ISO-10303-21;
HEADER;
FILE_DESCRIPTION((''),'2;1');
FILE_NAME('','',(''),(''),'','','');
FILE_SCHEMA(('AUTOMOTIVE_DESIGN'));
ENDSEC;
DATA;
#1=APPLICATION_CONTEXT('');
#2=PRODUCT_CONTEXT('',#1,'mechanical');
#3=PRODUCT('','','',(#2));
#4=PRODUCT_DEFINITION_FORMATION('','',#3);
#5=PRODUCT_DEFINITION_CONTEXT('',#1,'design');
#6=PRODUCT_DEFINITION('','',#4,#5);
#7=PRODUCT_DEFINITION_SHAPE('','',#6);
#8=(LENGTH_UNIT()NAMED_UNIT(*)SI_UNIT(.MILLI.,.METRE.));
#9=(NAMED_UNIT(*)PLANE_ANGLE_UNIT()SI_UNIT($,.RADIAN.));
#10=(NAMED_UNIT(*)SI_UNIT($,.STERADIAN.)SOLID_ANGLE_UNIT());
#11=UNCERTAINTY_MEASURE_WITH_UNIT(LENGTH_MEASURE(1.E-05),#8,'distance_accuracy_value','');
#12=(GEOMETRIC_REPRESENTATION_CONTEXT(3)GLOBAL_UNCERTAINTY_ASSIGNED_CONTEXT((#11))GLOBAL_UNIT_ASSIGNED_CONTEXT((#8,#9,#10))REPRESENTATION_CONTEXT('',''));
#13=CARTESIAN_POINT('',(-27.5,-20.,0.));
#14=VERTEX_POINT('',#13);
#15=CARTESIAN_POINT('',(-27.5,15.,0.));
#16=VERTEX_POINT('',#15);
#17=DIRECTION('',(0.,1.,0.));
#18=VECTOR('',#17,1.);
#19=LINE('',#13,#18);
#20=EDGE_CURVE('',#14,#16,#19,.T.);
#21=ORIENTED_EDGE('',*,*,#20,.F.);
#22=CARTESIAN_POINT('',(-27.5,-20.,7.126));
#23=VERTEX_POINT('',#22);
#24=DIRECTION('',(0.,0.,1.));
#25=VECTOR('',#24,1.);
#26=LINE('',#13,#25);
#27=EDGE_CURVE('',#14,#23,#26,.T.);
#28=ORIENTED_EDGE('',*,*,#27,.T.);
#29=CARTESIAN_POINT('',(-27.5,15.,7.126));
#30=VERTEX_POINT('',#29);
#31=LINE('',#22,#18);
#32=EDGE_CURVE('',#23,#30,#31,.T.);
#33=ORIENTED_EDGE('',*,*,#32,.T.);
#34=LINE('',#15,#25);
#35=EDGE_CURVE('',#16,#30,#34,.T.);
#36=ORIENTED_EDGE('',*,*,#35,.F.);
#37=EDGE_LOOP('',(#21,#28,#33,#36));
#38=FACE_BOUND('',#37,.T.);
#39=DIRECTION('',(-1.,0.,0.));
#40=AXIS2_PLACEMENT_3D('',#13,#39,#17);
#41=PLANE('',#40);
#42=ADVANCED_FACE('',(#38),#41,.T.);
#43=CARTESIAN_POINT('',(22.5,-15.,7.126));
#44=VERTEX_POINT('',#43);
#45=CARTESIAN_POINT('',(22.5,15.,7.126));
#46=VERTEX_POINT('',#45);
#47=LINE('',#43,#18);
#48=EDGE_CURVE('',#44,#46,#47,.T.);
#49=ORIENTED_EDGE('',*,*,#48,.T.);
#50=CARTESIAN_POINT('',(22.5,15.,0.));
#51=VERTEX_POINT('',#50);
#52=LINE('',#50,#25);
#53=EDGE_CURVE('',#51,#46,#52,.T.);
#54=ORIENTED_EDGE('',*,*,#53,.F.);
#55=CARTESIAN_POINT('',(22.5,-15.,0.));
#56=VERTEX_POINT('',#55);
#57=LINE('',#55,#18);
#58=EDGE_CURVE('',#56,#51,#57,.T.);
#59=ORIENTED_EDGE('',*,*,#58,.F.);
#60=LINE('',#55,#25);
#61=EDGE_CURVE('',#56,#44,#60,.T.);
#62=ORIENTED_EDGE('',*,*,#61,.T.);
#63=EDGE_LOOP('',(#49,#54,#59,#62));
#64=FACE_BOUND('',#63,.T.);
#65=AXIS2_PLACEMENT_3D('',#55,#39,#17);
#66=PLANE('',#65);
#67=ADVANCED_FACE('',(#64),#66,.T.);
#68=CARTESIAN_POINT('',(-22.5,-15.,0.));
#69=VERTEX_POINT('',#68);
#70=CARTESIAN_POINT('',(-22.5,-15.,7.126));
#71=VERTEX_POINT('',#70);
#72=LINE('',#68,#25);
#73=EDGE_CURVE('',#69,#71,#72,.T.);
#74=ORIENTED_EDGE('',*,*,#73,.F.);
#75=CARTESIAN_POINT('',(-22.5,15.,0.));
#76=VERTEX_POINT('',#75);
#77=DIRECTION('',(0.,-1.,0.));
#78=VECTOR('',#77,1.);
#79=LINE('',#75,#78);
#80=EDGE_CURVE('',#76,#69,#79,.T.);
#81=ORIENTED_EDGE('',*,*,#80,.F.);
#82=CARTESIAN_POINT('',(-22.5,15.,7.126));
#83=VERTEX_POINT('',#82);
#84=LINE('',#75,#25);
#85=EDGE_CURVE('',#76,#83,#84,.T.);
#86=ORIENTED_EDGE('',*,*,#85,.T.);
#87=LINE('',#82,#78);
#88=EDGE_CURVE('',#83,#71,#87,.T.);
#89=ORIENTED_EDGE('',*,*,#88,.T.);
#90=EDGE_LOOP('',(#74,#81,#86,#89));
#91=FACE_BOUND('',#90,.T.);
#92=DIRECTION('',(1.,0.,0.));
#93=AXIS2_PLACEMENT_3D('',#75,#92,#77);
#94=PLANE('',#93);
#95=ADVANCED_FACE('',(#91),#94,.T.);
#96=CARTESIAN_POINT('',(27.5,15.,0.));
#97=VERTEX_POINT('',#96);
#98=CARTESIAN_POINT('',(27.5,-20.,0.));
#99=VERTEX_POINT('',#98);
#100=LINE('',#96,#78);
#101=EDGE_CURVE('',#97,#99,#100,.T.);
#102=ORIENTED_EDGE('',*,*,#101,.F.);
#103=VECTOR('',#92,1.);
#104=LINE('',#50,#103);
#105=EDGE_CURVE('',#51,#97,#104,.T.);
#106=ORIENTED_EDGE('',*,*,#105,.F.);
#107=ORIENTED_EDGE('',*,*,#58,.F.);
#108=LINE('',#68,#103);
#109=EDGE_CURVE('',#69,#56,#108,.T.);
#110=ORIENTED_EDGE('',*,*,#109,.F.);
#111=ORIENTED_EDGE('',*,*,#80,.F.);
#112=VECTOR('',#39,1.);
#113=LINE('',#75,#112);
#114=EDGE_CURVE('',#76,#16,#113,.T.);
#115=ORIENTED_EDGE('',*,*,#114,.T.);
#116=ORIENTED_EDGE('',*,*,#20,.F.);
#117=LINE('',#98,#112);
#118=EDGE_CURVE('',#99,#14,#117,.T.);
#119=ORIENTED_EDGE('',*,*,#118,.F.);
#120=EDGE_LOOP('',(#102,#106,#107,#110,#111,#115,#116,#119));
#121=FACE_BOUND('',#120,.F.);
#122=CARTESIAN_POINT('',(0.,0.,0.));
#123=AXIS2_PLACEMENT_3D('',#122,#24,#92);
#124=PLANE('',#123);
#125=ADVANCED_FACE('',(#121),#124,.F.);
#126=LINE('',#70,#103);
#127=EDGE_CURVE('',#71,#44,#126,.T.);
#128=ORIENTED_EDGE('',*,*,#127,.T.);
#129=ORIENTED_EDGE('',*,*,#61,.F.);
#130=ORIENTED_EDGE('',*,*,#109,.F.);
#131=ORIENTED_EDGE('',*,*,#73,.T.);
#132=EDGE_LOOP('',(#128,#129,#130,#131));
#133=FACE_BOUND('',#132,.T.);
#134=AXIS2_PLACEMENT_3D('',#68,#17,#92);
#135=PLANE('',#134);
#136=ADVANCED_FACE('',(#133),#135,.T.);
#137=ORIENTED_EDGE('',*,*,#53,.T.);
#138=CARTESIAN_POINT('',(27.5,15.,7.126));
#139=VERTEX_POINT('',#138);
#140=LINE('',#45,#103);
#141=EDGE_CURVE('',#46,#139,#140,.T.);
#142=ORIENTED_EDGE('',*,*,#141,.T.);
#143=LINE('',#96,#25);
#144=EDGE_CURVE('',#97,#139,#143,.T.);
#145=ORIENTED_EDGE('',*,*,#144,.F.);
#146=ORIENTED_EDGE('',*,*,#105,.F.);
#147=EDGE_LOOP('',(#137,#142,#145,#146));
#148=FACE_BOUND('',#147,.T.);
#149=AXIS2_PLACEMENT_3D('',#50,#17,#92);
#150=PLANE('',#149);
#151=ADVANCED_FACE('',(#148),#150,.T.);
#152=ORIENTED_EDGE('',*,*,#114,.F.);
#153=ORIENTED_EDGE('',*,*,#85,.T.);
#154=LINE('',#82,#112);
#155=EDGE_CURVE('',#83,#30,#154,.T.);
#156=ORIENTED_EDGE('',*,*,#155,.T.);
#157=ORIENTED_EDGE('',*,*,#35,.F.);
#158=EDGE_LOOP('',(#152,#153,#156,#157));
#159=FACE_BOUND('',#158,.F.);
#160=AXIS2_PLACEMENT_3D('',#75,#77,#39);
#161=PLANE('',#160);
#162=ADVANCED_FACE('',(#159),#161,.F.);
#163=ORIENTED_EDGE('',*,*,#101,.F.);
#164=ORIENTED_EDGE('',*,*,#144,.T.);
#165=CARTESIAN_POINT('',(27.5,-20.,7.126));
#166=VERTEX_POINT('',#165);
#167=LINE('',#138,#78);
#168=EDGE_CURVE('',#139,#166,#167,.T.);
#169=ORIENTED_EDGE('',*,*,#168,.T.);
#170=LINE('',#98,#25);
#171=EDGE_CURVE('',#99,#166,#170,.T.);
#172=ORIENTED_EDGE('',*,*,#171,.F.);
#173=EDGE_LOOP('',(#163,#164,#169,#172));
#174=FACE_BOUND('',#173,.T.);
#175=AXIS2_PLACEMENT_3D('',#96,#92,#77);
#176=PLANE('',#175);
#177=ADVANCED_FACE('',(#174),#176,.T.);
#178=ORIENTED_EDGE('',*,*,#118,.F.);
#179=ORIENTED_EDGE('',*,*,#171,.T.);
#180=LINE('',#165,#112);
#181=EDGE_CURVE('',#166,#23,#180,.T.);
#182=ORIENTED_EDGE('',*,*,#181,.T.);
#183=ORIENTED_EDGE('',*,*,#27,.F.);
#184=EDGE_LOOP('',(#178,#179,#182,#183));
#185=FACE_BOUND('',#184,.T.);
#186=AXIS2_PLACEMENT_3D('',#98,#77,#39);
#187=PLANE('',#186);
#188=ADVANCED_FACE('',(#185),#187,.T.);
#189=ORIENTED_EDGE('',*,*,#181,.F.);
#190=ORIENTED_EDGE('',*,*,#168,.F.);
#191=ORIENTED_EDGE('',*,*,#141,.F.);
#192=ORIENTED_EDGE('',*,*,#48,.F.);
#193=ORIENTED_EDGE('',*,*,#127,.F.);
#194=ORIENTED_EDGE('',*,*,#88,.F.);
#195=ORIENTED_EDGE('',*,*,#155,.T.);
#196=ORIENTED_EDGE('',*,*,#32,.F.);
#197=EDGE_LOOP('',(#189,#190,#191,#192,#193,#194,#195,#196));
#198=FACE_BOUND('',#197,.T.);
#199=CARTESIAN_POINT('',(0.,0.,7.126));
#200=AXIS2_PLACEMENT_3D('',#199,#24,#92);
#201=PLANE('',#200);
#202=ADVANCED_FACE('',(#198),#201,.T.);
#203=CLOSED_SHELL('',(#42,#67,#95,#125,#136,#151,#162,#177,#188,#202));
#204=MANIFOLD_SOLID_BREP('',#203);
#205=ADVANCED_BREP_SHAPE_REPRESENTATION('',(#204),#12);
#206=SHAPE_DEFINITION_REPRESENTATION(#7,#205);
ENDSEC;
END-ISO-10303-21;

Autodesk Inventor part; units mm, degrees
ref_plane "YZ Plane" through (0, 0, 0) normal (1, 0, 0) x (0, 1, 0)
ref_plane "XZ Plane" through (0, 0, 0) normal (0, 1, 0) x (-1, 0, 0)
ref_plane "XY Plane" through (0, 0, 0) normal (0, 0, 1) x (1, 0, 0)
sketch "Sketch1" plane through (0, 0, 0) normal (0, 0, 1) x (1, 0, 0)
  line L0 (22.5, 15) -> (-22.5, 15) construction
  line L1 (-22.5, 15) -> (-22.5, -15)
  line L2 (-22.5, -15) -> (22.5, -15)
  line L3 (22.5, -15) -> (22.5, 15)
  line L4 (22.5, 15) -> (-22.5, -15) construction
  line L5 (-22.5, 15) -> (22.5, -15) construction
  line L6 (-27.5, -20) -> (-27.5, 15)
  line L7 (-27.5, 20) -> (27.5, 20) construction
  line L8 (27.5, 20) -> (27.5, 15) construction
  line L9 (27.5, -20) -> (-27.5, -20)
  line L10 (-22.5, 15) -> (-27.5, 15)
  line L11 (22.5, 15) -> (27.5, 15)
  line L12 (-27.5, 15) -> (-27.5, 20) construction
  line L13 (27.5, 15) -> (27.5, -20)
  point P0 (0, 0)
  dimension "d0" = 45
  dimension "d1" = 30
  dimension "d2" = 5
  dimension "d3" = 5
  dimension "d4" = 5
  dimension "d5" = 40
extrude "Extrusion1" add sketch "Sketch1" along normal blind 7.126
properties part number "track z2101"
